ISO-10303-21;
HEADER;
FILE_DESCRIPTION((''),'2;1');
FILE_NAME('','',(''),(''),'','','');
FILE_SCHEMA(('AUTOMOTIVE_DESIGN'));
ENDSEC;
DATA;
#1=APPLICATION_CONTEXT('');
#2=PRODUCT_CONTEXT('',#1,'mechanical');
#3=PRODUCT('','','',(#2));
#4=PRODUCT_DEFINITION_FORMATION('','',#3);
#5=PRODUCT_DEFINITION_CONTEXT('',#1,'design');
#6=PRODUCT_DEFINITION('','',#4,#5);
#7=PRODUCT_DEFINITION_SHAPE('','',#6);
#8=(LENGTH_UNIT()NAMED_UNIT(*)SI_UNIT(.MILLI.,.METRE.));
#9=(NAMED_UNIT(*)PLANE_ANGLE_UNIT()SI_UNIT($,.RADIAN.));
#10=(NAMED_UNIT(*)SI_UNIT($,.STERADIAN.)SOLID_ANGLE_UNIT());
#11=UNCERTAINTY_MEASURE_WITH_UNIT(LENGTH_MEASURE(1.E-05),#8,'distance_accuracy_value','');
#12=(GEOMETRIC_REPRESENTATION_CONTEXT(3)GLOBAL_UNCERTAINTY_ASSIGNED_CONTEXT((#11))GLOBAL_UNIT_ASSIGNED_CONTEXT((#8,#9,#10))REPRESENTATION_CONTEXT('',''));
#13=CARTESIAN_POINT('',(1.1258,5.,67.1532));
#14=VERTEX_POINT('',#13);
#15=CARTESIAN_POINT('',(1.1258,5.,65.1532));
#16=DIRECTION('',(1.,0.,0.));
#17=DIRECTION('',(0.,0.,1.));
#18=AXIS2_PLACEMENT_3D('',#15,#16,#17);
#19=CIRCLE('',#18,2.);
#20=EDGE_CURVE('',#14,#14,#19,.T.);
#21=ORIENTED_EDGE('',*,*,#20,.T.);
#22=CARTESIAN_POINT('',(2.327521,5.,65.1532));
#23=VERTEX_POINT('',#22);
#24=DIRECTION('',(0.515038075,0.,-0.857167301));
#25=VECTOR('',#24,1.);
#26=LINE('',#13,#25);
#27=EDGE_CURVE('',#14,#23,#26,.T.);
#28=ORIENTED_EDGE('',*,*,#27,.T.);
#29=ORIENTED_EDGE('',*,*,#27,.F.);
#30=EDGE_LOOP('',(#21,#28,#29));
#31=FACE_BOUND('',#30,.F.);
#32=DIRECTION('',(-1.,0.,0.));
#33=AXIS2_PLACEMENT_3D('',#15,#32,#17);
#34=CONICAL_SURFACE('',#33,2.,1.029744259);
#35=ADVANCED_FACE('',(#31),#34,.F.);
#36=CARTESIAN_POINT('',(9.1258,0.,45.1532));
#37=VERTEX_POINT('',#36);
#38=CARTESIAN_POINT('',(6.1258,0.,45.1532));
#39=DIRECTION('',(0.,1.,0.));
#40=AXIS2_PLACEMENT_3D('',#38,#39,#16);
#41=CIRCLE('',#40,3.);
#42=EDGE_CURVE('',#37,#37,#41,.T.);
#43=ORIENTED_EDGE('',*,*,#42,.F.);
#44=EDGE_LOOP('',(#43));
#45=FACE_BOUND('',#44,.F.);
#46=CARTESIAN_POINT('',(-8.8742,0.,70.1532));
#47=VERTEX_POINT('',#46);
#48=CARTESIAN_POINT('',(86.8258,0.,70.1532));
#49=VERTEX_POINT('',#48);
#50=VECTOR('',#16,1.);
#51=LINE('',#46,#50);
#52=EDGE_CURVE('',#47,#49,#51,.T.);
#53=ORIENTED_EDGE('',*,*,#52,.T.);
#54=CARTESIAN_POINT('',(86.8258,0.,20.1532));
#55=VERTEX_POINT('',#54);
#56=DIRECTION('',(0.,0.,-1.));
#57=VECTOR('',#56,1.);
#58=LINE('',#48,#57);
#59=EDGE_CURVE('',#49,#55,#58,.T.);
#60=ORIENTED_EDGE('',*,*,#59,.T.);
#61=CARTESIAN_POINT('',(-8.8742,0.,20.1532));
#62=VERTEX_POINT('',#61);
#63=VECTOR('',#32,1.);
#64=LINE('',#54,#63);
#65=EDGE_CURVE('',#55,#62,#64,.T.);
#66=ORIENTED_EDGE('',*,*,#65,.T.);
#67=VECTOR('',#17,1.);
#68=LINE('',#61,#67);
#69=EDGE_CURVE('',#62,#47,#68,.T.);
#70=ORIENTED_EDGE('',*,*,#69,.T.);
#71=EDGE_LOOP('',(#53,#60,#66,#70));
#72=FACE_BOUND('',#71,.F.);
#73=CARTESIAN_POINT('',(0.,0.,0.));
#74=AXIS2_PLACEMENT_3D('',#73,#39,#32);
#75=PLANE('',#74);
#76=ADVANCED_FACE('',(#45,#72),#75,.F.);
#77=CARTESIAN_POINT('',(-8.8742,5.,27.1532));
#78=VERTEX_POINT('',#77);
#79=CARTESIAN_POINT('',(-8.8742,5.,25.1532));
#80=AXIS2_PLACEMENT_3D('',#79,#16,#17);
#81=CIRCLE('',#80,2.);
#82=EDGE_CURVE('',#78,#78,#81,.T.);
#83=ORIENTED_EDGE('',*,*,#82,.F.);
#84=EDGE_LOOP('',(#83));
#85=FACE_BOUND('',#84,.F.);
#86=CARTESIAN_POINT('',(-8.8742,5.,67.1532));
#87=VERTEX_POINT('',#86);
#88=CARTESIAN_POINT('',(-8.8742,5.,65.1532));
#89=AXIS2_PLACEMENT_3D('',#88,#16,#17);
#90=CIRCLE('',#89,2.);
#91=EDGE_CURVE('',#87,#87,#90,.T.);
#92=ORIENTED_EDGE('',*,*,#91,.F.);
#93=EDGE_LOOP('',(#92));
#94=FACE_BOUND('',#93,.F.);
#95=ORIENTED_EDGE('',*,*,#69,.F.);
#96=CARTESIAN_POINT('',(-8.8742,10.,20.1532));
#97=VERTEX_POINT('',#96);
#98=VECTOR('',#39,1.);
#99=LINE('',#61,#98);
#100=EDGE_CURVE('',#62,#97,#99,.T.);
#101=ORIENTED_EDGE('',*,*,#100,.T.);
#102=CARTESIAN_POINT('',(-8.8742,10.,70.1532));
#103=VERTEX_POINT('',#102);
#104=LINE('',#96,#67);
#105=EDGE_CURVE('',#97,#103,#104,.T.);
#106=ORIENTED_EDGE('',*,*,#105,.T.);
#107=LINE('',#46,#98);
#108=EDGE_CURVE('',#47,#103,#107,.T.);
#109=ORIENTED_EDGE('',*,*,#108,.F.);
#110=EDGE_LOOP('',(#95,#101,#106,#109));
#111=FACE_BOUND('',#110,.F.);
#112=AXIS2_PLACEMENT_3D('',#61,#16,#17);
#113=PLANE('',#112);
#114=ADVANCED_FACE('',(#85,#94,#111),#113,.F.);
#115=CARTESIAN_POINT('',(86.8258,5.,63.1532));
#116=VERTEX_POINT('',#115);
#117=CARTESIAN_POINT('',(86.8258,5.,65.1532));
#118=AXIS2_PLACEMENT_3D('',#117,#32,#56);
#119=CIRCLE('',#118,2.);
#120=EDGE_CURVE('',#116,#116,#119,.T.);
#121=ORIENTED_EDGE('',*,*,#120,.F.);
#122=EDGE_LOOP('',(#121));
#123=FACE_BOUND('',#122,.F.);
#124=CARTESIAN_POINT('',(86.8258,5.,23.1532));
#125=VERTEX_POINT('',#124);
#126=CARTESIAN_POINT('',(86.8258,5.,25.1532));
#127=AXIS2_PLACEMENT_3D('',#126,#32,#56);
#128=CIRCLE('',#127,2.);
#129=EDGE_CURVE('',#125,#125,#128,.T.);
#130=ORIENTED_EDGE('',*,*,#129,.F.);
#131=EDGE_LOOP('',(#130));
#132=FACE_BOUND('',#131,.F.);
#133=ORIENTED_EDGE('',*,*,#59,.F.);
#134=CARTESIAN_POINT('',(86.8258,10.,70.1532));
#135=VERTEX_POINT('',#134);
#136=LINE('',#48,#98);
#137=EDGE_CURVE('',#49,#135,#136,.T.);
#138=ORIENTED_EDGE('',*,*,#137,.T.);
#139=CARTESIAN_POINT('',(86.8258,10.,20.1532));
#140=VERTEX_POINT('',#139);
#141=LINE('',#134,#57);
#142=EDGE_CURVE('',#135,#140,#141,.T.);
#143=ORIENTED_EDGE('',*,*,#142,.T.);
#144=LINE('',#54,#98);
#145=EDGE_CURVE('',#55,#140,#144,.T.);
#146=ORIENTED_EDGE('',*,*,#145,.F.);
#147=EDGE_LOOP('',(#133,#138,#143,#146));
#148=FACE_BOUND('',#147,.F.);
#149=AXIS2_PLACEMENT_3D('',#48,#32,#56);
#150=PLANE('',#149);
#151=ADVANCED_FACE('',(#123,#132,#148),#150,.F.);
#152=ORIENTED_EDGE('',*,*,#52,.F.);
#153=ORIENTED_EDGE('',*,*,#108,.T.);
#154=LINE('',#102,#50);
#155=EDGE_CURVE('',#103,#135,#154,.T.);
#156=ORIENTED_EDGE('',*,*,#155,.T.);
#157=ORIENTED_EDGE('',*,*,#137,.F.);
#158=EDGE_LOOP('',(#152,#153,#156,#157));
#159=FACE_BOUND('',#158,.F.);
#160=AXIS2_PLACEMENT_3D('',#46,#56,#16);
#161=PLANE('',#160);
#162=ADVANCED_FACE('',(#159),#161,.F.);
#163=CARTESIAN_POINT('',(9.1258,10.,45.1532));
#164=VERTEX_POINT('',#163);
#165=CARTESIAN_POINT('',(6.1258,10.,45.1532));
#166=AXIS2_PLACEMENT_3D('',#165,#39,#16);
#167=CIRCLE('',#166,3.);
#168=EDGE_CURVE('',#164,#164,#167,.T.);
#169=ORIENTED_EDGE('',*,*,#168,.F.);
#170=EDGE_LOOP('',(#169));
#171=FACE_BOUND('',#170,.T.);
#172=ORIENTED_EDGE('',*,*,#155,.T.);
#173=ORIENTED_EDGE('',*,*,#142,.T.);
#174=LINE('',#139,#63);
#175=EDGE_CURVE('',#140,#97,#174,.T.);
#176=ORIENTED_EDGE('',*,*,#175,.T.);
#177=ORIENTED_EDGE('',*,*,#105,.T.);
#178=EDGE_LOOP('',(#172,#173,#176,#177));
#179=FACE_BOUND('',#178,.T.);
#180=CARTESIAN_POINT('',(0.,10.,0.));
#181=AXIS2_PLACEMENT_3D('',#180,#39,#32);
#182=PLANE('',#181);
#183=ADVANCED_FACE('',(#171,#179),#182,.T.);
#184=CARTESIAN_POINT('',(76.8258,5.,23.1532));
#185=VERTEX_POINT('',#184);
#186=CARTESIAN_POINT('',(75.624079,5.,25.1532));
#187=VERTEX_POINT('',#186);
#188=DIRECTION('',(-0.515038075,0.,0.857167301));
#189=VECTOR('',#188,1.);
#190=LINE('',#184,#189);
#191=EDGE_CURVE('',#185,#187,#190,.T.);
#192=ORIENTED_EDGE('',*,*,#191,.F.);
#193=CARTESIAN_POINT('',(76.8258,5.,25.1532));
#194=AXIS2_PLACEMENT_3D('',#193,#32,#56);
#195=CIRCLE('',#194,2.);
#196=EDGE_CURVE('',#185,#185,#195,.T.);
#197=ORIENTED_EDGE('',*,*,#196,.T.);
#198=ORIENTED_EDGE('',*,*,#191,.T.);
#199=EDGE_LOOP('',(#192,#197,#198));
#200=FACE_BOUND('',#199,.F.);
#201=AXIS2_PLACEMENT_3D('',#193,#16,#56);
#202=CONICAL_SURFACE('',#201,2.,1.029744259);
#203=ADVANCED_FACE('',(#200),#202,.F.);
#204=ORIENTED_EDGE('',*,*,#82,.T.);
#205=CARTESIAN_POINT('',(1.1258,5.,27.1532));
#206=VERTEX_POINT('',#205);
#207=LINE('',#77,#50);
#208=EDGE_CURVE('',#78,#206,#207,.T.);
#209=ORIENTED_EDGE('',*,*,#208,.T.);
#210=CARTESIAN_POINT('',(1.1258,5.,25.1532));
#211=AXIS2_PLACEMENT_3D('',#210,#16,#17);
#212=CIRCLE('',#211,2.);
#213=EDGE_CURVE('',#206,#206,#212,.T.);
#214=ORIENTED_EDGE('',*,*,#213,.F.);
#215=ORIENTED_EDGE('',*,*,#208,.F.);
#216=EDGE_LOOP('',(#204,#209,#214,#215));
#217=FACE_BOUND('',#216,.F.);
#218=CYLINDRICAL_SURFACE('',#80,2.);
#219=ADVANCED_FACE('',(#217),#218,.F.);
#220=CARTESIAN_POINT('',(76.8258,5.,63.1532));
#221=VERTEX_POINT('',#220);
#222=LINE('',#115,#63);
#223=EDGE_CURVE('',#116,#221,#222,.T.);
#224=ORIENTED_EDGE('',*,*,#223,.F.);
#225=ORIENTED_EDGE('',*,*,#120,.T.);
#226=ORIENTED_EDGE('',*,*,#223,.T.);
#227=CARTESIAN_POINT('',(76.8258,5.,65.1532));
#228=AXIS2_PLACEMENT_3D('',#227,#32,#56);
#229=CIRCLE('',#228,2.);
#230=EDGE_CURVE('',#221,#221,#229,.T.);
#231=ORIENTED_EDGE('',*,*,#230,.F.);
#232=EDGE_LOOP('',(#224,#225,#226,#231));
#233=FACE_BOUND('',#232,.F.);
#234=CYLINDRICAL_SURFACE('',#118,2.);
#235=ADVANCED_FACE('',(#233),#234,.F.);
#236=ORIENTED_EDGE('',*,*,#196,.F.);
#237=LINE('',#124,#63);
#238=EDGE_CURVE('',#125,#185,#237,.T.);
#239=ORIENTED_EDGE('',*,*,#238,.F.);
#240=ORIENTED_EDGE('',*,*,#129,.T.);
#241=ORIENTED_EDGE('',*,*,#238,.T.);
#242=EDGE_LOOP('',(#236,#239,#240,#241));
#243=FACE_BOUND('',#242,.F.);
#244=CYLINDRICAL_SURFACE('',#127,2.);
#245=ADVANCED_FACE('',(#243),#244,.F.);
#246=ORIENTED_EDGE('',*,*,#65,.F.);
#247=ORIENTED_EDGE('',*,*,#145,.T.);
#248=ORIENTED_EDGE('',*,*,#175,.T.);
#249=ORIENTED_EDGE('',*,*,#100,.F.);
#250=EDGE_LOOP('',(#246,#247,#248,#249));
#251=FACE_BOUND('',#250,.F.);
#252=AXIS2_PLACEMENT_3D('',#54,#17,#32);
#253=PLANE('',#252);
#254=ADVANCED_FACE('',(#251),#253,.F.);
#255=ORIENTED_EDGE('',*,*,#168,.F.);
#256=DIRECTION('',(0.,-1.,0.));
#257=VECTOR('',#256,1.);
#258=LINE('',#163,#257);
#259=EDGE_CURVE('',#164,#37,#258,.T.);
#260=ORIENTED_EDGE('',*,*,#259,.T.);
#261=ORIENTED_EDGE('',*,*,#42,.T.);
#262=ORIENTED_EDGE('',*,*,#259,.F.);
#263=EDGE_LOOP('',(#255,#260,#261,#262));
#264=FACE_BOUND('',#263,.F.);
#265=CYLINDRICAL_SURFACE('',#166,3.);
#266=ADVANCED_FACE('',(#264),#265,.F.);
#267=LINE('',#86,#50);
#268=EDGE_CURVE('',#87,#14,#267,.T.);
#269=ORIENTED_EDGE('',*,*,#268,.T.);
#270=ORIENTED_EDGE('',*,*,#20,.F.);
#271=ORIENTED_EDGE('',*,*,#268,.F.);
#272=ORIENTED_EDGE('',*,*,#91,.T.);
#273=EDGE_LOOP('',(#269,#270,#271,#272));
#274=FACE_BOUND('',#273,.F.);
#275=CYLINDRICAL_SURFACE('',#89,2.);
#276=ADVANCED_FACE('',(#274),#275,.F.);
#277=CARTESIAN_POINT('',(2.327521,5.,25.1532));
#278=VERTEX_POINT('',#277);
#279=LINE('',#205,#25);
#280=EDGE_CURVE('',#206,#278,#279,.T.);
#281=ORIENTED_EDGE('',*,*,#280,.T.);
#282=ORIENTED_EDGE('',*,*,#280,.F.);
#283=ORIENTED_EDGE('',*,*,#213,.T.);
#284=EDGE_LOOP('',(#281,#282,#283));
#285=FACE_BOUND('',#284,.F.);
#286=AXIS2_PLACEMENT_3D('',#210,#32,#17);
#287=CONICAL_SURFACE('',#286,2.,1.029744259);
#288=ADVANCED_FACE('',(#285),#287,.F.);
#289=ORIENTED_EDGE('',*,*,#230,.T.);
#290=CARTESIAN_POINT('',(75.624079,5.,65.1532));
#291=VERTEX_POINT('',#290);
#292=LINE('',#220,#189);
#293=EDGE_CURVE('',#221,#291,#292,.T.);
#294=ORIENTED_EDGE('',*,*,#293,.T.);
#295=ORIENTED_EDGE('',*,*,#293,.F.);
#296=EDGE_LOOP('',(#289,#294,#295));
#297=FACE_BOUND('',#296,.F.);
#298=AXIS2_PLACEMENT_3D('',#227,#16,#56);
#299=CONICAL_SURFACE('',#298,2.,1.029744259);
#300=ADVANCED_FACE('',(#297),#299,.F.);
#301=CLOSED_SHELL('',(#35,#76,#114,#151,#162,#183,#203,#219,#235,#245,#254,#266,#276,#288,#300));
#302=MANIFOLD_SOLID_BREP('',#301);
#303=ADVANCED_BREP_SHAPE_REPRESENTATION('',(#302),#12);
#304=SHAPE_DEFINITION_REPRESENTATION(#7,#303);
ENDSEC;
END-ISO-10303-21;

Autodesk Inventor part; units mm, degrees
ref_plane "YZ Plane" through (0, 0, 0) normal (1, 0, 0) x (0, 1, 0)
ref_plane "XZ Plane" through (0, 0, 0) normal (0, 1, 0) x (-1, 0, 0)
ref_plane "XY Plane" through (0, 0, 0) normal (0, 0, 1) x (1, 0, 0)
sketch "Boceto1" plane through (0, 0, 0) normal (0, 1, 0) x (-1, 0, 0)
  line L0 (8.8742, 70.1532) -> (-86.8258, 70.1532)
  line L1 (-86.8258, 70.1532) -> (-86.8258, 20.1532)
  line L2 (-86.8258, 20.1532) -> (8.8742, 20.1532)
  line L3 (8.8742, 20.1532) -> (8.8742, 70.1532)
  dimension "d0" = 95.7
  dimension "d1" = 50
extrude "Extrusión1" add sketch "Boceto1" along normal blind 10
sketch "Boceto2" plane through (86.8258, 0, 70.1532) normal (1, 0, 0) x (0, 0, -1)
  line L0 (0, 0) -> (0, 10) projected
  line L1 (50, 0) -> (50, 10) projected
  circle A0 centre (5, 5) radius 2
  circle A1 centre (45, 5) radius 2
  point P0 (70.1532, 0)
  dimension "d4" = 4
  dimension "d5" = 5
  dimension "d6" = 4
  dimension "d7" = 5
sketch "Boceto3" plane through (-8.8742, 0, 20.1532) normal (-1, 0, 0) x (0, 0, 1)
  circle A0 centre (5, 5) radius 2
  line L0 (0, 10) -> (50, 10) projected
  line L1 (0, 0) -> (0, 10) projected
  circle A1 centre (45, 5) radius 2
  line L2 (50, 0) -> (50, 10) projected
  dimension "d8" = 4
  dimension "d9" = 5
  dimension "d10" = 5
  dimension "d11" = 4
  dimension "d12" = 5
  dimension "d13" = 5
hole "Agujero1" at (-8.8742, 5, 25.1532) at (-8.8742, 5, 65.1532) direction (1, 0, 0) diameter 4 depth 10 tip angle 118
hole "Agujero2" at (86.8258, 5, 65.1532) at (86.8258, 5, 25.1532) direction (-1, 0, 0) diameter 4 depth 10 tip angle 118
thread "Rosca1" size "M4x0.7" class "6H" standard "ISO Metric profile" length 7.5
thread "Rosca2" size "M4x0.7" class "6H" standard "ISO Metric profile" length 7.5
thread "Rosca3" size "M4x0.7" class "6H" standard "ISO Metric profile" length 7.5
thread "Rosca4" size "M4x0.7" class "6H" standard "ISO Metric profile" length 7.5
sketch "Sketch4" plane through (0, 10, 0) normal (0, 1, 0) x (1, 0, 0)
  circle A0 centre (6.1258, -45.1532) radius 3
  line L0 (-8.8742, -20.1532) -> (-8.8742, -70.1532) projected
  dimension "d36" = 6
  dimension "d37" = 15
extrude "Extrusion2" cut sketch "Sketch4" against normal blind 10
properties part number "Soporte para Culata Carcasa Izquierdo" material "Aluminio 6061"
